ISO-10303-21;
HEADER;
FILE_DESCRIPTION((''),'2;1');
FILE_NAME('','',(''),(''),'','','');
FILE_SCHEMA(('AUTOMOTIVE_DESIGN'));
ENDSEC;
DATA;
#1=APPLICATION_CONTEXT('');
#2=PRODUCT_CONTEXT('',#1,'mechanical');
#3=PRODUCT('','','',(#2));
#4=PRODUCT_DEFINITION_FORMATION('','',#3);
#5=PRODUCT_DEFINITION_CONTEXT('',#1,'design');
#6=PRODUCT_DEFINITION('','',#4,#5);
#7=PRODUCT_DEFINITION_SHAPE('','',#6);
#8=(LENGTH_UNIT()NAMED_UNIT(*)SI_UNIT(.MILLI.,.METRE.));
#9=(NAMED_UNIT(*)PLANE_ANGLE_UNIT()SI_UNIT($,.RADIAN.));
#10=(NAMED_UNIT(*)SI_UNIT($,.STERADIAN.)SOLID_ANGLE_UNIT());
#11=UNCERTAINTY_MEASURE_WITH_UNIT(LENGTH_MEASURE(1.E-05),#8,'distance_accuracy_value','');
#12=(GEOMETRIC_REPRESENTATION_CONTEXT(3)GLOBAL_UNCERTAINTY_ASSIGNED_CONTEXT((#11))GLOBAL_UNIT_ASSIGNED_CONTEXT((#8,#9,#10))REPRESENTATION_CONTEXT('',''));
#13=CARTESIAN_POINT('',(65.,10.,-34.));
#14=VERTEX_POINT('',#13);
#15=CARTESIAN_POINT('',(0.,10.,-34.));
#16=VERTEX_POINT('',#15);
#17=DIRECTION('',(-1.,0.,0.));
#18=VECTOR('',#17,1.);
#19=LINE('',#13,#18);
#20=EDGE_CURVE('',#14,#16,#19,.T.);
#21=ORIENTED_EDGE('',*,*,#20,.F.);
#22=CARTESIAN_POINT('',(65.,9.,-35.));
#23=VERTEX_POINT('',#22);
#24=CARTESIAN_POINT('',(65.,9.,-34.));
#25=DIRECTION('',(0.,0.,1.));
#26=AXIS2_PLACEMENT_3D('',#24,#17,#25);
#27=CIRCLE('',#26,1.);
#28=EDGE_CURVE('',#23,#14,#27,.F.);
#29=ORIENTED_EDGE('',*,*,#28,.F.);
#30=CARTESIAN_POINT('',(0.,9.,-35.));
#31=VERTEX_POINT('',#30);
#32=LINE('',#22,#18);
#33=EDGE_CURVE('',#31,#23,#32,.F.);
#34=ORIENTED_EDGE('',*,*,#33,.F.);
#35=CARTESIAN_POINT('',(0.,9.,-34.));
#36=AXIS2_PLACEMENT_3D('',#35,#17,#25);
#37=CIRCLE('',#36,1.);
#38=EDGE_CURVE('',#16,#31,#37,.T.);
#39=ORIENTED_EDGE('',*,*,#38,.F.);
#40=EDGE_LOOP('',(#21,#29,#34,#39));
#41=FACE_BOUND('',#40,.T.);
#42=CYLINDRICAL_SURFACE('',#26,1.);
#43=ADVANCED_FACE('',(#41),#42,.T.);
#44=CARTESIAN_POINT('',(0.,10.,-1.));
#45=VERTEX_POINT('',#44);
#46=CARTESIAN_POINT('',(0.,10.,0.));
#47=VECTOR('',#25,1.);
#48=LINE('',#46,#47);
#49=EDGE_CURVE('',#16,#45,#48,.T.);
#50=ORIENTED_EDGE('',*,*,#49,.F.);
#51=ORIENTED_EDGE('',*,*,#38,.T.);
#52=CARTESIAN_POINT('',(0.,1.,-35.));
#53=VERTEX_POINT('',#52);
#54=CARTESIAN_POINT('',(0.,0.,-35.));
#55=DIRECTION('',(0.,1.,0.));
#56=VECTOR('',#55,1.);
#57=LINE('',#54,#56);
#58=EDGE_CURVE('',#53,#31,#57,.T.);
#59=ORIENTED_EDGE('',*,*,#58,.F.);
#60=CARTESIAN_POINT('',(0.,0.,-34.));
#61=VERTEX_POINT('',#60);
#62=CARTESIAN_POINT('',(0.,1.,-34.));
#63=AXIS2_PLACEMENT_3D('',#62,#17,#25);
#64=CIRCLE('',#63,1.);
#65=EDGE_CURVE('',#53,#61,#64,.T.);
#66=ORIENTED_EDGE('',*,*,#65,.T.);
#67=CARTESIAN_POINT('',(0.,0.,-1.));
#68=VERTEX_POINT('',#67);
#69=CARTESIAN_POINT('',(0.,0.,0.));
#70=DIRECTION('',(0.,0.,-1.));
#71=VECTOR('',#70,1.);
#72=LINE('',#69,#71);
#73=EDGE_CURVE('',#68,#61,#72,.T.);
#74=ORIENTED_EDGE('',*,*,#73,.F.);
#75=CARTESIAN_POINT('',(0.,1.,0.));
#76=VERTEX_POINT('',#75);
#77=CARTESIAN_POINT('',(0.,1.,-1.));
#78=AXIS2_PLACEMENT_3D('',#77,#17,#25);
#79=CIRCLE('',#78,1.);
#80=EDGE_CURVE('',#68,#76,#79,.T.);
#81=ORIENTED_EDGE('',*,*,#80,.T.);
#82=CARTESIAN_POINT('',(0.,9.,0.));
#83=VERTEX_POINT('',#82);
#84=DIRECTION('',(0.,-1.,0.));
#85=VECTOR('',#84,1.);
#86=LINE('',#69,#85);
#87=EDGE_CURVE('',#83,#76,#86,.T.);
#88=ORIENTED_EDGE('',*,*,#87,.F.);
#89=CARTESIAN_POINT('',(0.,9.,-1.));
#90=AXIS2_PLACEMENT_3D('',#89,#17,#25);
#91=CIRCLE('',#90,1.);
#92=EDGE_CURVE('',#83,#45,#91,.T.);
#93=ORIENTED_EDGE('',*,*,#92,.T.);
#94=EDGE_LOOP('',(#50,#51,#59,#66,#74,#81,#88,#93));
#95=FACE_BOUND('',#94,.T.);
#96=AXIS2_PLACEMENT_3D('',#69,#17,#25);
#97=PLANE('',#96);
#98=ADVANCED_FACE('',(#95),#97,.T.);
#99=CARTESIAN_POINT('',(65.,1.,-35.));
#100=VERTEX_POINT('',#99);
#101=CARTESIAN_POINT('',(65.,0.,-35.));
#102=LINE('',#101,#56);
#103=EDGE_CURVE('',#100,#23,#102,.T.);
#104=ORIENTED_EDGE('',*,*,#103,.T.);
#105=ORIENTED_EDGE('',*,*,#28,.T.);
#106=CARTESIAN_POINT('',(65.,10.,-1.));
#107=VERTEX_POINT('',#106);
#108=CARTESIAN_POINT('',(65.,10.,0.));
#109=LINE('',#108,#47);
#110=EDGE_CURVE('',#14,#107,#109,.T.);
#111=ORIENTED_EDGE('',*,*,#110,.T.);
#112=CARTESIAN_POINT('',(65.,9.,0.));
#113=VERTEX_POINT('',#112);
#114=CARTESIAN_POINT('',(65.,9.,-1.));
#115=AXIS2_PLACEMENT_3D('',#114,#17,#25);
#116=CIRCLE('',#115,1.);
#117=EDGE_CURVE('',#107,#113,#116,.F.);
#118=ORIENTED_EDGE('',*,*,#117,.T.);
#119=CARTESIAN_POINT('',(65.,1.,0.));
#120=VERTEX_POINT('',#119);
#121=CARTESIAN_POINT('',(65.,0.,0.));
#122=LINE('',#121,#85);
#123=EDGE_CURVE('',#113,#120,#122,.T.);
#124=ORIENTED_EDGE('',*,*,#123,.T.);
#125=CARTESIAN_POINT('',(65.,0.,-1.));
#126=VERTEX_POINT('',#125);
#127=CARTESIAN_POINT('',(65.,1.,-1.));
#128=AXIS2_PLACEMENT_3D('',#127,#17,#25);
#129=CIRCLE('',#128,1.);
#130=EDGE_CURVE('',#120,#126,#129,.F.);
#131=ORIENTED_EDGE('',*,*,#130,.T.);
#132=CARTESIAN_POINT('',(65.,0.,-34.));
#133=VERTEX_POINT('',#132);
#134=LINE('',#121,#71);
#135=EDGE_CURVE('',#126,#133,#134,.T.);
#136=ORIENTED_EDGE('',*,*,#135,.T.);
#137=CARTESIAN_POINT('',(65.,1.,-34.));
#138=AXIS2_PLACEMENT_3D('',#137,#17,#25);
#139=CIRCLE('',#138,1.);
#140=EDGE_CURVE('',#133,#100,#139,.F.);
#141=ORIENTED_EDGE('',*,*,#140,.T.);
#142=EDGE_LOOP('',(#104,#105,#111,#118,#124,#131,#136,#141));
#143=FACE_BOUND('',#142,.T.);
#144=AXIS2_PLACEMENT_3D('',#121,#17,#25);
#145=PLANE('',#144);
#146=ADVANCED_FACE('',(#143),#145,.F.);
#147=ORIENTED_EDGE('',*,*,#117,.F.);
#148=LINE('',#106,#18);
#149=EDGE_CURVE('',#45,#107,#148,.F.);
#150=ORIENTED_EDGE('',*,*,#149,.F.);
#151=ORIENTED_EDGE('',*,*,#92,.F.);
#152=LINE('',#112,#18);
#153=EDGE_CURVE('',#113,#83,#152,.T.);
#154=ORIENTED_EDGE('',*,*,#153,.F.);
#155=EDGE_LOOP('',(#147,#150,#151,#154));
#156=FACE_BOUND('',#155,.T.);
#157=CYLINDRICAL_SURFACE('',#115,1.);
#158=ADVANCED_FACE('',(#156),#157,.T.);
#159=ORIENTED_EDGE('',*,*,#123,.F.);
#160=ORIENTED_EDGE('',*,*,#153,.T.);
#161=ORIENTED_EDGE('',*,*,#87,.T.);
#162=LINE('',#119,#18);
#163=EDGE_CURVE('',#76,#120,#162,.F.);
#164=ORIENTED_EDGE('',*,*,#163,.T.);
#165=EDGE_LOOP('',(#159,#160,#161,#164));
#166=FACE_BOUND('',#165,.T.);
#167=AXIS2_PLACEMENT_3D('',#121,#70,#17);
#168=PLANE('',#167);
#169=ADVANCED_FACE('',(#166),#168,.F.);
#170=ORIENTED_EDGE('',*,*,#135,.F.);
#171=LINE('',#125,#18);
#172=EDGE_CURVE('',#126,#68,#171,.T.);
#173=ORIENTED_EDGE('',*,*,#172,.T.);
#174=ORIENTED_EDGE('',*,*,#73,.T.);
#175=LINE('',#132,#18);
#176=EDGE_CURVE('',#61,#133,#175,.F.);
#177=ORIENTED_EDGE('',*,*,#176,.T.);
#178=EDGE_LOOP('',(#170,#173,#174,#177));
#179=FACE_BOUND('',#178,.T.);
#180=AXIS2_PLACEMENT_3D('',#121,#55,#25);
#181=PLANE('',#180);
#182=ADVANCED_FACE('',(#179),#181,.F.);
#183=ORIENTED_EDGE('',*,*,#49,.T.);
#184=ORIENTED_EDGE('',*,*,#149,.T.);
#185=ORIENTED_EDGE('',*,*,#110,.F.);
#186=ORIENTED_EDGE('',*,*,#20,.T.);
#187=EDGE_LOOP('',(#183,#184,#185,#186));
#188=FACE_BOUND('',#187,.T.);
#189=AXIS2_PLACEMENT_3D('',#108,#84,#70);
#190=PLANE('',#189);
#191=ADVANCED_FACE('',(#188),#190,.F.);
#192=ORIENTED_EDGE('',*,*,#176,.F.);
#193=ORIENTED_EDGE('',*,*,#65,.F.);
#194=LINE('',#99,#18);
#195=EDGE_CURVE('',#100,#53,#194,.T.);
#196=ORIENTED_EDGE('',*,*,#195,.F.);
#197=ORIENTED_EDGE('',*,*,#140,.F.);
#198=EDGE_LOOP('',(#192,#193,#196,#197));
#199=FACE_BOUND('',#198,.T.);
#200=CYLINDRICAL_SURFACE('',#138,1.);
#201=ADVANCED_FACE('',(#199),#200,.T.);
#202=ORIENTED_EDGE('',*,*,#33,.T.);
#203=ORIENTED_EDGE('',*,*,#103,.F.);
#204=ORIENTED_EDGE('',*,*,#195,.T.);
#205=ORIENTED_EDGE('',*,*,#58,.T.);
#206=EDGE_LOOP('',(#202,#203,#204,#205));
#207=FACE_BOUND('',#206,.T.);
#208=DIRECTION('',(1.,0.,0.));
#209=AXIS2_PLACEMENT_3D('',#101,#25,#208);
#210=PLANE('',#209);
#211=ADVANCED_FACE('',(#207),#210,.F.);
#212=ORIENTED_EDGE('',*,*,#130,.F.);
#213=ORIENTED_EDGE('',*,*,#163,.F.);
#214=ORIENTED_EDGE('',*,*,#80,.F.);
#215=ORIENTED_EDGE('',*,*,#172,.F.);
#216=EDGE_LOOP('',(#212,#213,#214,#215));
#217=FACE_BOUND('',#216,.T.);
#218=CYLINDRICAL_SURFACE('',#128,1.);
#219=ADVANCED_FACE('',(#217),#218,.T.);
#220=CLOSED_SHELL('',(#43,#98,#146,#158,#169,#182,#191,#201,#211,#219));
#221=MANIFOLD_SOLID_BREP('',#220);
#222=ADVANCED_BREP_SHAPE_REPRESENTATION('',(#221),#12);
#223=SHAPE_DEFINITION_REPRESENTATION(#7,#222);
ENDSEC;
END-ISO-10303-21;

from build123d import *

# Parameters (mm, degrees)
ESBO_O1_W                = 35
ESBO_O1_H                = 10
RESSALTO_EXTRUS_O1_DEPTH = 65
FILETE2_R                = 1


with BuildPart() as part:
    # Esboço1 → Ressalto-extrusão1 (new body)
    with BuildSketch(Plane(origin=(0, 0, 0), x_dir=(0, 0, -1), z_dir=(1, 0, 0))):
        with Locations((17.5, 5)):
            Rectangle(ESBO_O1_W, ESBO_O1_H)
    extrude(amount=RESSALTO_EXTRUS_O1_DEPTH)

    # Filete2
    filete2_edges = [part.edges().sort_by_distance(p)[0] for p in [
        (32.5, 10, 0),
        (32.5, 10, -35),
        (32.5, 0, -35),
        (32.5, 0, 0),
    ]]
    fillet(filete2_edges, radius=FILETE2_R)


solid = part.part
